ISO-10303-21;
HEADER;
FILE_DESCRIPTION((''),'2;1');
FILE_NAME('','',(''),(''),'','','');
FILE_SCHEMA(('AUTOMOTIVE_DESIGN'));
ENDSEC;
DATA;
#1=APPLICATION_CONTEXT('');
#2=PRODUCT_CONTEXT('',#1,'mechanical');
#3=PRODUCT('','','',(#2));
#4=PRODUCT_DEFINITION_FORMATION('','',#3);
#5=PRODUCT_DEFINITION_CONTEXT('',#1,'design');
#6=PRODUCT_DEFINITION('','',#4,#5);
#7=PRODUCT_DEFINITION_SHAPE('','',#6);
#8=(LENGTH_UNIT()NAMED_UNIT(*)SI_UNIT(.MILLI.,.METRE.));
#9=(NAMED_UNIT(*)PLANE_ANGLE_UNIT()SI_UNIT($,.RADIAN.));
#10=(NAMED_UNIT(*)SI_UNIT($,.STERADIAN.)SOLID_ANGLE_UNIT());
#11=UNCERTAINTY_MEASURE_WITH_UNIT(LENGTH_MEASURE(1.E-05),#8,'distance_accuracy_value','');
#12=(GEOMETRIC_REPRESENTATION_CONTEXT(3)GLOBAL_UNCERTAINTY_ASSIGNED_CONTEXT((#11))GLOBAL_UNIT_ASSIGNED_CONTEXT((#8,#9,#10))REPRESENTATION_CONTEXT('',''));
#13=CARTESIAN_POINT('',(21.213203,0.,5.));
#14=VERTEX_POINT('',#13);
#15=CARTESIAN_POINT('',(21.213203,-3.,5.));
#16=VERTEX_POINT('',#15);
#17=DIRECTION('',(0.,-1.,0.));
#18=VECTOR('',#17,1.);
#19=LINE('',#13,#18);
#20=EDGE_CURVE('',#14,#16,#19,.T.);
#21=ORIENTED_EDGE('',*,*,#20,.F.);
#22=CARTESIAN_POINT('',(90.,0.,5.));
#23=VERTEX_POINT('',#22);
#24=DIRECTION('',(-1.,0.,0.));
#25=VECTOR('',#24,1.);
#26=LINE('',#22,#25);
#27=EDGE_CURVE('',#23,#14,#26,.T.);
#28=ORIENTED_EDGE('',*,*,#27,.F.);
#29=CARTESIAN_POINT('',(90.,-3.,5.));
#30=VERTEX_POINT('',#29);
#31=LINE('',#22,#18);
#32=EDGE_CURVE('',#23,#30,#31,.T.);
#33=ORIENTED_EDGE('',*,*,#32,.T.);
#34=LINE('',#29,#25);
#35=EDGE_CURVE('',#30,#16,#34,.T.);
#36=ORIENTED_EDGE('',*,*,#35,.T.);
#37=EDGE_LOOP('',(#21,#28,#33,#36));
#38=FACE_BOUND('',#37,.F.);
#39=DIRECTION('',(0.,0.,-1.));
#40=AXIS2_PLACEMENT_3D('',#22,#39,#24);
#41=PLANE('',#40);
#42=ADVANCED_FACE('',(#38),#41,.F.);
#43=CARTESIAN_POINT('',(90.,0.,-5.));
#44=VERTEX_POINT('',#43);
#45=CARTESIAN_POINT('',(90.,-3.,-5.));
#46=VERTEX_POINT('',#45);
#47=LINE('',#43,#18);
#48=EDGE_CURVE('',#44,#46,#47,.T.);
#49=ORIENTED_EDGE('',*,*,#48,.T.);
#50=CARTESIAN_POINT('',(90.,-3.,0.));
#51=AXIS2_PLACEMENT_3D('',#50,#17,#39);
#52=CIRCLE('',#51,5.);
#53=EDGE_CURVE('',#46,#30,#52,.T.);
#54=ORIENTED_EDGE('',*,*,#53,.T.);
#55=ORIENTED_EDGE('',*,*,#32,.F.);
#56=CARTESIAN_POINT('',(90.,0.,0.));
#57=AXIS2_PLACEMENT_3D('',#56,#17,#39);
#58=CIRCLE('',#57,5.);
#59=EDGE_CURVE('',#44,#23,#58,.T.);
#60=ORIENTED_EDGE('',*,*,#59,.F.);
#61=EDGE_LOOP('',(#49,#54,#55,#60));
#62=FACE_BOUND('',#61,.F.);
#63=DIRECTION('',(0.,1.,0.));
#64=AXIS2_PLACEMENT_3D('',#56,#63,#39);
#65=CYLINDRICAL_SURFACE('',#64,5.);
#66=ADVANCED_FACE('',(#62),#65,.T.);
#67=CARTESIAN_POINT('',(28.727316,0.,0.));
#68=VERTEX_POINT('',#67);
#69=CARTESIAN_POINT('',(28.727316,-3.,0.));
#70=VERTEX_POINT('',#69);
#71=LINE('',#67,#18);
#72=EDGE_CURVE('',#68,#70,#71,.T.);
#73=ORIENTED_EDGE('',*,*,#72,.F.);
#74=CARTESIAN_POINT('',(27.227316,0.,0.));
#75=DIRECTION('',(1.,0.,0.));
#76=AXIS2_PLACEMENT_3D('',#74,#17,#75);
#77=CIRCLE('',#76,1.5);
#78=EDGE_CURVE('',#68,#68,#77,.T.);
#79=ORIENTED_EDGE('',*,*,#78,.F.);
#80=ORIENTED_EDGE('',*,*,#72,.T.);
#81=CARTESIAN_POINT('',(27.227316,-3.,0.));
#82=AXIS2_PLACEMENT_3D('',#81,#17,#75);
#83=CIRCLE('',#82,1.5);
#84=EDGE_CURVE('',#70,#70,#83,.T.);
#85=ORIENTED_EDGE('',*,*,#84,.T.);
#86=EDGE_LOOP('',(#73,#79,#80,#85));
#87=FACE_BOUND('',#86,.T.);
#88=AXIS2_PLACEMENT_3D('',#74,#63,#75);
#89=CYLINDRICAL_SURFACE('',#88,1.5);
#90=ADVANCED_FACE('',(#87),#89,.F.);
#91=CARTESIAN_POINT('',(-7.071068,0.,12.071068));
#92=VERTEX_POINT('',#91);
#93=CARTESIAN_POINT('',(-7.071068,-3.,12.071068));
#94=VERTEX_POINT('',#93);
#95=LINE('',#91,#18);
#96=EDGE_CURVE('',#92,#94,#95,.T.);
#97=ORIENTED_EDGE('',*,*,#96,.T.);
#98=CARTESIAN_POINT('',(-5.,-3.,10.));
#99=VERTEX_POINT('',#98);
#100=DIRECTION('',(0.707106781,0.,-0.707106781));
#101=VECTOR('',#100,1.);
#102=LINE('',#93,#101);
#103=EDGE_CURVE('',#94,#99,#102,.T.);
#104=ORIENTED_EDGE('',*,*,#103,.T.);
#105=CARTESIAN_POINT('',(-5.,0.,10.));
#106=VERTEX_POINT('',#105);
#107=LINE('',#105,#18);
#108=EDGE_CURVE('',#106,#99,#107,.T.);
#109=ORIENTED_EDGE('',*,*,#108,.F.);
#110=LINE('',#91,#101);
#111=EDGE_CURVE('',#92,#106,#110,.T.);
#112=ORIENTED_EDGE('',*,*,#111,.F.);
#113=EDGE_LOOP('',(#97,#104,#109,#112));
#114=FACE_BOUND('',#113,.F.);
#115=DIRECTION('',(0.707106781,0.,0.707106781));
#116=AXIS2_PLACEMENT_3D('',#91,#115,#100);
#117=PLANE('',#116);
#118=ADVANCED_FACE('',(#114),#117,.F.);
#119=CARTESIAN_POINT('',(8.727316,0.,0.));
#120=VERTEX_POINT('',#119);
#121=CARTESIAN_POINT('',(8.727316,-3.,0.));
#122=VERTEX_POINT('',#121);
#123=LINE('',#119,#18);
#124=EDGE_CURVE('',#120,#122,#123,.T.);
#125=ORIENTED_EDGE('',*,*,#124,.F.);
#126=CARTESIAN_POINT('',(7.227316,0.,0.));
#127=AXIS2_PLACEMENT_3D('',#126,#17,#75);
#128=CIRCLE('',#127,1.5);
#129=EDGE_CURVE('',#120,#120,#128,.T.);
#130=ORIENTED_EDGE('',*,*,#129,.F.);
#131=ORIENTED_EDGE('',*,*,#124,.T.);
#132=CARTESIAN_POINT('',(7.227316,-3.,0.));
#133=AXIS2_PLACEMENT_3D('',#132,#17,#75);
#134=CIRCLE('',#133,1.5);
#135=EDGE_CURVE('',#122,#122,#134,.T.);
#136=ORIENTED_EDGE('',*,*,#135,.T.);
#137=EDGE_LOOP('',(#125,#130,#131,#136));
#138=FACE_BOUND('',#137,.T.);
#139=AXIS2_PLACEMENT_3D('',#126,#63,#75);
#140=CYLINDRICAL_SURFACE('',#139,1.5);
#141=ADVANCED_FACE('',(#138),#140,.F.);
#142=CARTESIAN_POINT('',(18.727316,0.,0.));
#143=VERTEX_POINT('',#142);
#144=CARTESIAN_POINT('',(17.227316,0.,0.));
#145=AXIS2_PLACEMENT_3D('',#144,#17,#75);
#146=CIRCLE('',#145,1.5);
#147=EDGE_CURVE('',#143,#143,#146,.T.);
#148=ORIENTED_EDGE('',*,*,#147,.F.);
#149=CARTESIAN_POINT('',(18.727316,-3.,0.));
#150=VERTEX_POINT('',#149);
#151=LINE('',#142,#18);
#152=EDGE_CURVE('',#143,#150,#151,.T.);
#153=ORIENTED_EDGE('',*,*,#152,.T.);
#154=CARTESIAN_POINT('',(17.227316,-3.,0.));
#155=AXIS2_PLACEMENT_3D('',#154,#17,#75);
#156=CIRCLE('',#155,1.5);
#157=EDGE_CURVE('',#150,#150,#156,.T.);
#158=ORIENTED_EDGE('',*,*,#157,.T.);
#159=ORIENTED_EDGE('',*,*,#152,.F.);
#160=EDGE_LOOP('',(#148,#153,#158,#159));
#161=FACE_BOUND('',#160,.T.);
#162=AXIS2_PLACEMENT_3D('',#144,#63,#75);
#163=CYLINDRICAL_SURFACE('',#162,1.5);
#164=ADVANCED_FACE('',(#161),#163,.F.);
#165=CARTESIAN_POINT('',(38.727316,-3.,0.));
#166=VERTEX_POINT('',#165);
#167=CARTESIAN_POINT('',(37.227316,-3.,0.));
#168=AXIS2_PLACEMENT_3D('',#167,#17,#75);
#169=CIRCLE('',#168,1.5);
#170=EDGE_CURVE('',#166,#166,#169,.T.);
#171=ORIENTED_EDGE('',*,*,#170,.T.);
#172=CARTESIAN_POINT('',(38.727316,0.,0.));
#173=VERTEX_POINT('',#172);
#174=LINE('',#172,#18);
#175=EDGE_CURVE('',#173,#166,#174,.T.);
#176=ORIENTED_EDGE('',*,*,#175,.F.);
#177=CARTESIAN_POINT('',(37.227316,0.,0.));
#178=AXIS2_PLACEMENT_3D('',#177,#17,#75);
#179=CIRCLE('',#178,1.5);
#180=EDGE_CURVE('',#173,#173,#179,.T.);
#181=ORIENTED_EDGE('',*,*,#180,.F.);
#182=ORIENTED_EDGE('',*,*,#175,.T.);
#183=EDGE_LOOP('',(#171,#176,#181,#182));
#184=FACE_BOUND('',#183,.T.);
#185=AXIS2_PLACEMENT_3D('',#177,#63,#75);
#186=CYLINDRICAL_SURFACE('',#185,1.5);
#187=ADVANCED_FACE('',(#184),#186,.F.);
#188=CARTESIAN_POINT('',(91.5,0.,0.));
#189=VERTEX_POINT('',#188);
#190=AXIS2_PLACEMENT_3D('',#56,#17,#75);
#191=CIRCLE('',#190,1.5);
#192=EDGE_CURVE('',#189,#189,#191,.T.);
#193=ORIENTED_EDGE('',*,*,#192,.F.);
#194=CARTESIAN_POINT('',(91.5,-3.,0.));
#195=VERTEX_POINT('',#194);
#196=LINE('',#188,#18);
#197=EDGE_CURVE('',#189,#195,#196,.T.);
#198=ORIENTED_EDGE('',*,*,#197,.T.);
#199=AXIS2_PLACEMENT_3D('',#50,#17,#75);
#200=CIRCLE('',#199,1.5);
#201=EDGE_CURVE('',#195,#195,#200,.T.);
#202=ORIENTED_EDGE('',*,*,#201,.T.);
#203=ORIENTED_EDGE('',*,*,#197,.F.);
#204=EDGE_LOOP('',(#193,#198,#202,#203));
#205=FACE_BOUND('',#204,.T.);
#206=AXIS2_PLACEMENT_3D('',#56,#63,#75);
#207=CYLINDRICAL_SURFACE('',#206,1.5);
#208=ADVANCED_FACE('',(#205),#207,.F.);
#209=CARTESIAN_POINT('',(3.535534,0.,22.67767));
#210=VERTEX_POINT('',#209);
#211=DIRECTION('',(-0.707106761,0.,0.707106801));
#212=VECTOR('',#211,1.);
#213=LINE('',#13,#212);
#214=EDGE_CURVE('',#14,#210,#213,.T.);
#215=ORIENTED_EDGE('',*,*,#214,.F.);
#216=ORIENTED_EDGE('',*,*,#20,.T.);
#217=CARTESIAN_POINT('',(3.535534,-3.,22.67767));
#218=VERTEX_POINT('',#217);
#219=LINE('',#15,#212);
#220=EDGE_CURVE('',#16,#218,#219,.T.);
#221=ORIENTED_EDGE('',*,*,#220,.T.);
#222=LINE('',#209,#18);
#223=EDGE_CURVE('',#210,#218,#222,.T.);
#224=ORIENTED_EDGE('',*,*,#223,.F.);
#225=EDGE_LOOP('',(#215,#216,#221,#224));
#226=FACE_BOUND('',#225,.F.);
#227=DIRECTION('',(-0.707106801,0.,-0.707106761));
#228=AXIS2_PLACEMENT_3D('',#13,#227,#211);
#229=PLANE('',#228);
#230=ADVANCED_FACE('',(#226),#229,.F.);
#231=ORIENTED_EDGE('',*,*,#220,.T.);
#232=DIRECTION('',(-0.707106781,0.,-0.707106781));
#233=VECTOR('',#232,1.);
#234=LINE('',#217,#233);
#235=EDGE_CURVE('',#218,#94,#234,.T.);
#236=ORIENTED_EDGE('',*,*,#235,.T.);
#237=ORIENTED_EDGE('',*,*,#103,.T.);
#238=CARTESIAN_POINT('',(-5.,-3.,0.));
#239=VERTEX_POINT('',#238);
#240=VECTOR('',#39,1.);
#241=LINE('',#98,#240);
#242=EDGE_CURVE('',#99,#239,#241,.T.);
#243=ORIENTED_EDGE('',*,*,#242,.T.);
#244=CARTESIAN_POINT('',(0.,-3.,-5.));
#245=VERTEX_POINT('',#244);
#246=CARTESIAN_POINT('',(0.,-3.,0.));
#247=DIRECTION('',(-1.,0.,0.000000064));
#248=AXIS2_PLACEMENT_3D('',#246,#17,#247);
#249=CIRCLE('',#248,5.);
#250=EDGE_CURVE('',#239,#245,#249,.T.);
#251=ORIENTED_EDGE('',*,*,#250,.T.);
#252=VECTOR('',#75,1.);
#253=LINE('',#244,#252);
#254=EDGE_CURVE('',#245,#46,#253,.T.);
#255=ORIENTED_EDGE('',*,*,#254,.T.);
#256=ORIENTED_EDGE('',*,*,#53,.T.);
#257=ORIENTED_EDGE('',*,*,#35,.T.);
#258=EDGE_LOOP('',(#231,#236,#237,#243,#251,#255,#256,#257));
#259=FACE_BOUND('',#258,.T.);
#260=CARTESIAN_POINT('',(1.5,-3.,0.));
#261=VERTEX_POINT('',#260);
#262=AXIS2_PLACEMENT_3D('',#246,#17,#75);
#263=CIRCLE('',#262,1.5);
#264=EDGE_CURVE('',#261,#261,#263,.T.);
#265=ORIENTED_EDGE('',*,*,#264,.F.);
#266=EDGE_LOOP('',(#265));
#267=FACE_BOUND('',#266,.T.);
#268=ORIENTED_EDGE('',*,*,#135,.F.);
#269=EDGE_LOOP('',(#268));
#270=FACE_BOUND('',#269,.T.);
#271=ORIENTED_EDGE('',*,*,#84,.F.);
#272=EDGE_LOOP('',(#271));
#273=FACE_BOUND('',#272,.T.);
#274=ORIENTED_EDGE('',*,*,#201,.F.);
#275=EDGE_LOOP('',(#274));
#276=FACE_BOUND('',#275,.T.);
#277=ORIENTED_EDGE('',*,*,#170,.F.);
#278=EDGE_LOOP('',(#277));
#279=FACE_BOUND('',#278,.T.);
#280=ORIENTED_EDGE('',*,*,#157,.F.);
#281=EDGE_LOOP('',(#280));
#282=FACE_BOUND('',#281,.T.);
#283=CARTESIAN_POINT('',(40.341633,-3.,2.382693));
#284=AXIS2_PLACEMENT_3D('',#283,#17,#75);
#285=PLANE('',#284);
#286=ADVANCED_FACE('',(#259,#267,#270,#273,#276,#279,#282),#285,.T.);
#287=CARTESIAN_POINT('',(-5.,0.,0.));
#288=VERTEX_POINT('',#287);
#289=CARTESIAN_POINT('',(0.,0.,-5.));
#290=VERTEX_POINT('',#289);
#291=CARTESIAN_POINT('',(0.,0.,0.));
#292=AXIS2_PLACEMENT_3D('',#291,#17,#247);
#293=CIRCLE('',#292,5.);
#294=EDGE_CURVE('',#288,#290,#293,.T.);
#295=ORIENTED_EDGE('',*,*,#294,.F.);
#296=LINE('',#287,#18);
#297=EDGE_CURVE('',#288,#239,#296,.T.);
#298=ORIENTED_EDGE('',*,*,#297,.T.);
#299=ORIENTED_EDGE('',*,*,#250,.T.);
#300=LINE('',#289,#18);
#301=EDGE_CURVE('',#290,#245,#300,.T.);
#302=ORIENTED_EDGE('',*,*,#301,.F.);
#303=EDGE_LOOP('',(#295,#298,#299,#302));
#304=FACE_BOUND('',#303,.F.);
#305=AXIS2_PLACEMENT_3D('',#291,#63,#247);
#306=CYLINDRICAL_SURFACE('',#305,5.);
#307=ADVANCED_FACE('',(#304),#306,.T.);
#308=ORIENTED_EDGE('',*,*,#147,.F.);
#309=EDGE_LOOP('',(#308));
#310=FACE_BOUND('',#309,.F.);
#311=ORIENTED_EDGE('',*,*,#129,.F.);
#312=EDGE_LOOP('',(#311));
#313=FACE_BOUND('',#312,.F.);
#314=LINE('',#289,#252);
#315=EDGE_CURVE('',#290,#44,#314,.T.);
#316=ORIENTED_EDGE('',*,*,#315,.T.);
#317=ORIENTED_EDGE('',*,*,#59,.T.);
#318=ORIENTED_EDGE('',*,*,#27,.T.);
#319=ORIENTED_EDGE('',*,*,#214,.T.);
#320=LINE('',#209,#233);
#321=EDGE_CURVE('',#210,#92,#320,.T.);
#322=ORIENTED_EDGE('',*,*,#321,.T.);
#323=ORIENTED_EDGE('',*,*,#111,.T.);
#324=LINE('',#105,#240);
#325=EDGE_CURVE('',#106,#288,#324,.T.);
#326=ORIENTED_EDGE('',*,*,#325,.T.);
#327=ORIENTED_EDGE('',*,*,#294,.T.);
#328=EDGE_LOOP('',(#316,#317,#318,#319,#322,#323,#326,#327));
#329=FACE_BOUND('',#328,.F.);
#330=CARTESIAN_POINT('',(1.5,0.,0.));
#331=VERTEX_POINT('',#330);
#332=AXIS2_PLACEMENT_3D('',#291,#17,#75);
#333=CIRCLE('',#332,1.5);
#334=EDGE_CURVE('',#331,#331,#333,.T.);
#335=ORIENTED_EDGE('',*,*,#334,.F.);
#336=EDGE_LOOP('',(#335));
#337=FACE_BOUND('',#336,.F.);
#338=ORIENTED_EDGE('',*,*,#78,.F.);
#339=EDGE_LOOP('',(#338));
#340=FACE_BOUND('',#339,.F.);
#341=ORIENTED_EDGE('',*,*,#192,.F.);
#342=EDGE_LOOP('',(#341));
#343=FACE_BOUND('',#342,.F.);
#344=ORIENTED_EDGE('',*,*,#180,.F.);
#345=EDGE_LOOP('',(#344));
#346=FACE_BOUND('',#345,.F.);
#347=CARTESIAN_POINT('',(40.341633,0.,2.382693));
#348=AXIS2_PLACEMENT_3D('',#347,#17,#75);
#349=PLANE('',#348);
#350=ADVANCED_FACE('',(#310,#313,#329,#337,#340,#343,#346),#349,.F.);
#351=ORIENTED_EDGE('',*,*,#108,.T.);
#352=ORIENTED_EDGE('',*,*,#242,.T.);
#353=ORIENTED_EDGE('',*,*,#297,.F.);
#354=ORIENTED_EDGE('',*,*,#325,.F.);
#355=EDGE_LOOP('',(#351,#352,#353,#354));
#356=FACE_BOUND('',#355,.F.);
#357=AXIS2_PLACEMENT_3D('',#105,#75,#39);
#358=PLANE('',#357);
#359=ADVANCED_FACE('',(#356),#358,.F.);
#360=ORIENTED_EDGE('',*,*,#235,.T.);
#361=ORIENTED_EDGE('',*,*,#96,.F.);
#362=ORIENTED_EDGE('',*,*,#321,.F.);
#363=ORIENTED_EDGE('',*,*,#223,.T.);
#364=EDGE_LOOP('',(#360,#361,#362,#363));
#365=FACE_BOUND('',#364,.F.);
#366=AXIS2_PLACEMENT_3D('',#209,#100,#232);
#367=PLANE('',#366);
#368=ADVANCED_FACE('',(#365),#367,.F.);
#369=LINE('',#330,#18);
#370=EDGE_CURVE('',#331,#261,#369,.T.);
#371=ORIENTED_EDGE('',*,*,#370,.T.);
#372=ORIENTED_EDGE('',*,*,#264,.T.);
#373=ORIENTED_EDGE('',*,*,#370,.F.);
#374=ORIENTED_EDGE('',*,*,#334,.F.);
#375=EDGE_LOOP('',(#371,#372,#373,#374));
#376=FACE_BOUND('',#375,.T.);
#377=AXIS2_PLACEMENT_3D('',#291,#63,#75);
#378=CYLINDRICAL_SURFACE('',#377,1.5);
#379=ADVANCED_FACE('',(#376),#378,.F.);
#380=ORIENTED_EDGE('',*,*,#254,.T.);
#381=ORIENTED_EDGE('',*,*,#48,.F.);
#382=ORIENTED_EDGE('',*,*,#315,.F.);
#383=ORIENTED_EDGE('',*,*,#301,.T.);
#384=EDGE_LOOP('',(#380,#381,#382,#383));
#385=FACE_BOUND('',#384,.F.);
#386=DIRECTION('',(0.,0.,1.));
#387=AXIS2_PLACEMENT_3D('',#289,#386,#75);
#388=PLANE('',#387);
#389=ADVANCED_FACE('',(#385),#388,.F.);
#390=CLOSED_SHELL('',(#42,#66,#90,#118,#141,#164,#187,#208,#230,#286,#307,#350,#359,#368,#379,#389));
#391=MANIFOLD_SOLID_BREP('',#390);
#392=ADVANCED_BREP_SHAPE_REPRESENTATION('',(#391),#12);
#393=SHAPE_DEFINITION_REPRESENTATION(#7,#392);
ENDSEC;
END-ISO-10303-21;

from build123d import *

# Parameters (mm, degrees)
F0_R     = 1.5
F1_DEPTH = 3


with BuildPart() as f1:
    # F0 (on Front) → F1 (new body)
    with BuildSketch(Plane.XZ):
        with BuildLine():
            Line((0, -5), (42.227316, -5))
            Line((42.227316, -5), (90, -5))
            ThreePointArc((90, -5), (95, 0), (90, 5))
            Line((90, 5), (45, 5))
            Line((45, 5), (21.213203, 5))
            Line((21.213203, 5), (3.535534, 22.67767))
            Line((3.535534, 22.67767), (-7.071068, 12.071068))
            Line((-7.071068, 12.071068), (-5, 10))
            Line((-5, 10), (-5, 0))
            ThreePointArc((-5, 0), (-3.535534, -3.535534), (0, -5))
        make_face()
        Circle(F0_R, mode=Mode.SUBTRACT)
        with Locations((7.227316, 0)):
            Circle(F0_R, mode=Mode.SUBTRACT)
        with Locations((17.227316, 0)):
            Circle(F0_R, mode=Mode.SUBTRACT)
        with Locations((27.227316, 0)):
            Circle(F0_R, mode=Mode.SUBTRACT)
        with Locations((37.227316, 0)):
            Circle(F0_R, mode=Mode.SUBTRACT)
        with Locations((90, 0)):
            Circle(F0_R, mode=Mode.SUBTRACT)
    extrude(amount=F1_DEPTH)


solid = f1.part
